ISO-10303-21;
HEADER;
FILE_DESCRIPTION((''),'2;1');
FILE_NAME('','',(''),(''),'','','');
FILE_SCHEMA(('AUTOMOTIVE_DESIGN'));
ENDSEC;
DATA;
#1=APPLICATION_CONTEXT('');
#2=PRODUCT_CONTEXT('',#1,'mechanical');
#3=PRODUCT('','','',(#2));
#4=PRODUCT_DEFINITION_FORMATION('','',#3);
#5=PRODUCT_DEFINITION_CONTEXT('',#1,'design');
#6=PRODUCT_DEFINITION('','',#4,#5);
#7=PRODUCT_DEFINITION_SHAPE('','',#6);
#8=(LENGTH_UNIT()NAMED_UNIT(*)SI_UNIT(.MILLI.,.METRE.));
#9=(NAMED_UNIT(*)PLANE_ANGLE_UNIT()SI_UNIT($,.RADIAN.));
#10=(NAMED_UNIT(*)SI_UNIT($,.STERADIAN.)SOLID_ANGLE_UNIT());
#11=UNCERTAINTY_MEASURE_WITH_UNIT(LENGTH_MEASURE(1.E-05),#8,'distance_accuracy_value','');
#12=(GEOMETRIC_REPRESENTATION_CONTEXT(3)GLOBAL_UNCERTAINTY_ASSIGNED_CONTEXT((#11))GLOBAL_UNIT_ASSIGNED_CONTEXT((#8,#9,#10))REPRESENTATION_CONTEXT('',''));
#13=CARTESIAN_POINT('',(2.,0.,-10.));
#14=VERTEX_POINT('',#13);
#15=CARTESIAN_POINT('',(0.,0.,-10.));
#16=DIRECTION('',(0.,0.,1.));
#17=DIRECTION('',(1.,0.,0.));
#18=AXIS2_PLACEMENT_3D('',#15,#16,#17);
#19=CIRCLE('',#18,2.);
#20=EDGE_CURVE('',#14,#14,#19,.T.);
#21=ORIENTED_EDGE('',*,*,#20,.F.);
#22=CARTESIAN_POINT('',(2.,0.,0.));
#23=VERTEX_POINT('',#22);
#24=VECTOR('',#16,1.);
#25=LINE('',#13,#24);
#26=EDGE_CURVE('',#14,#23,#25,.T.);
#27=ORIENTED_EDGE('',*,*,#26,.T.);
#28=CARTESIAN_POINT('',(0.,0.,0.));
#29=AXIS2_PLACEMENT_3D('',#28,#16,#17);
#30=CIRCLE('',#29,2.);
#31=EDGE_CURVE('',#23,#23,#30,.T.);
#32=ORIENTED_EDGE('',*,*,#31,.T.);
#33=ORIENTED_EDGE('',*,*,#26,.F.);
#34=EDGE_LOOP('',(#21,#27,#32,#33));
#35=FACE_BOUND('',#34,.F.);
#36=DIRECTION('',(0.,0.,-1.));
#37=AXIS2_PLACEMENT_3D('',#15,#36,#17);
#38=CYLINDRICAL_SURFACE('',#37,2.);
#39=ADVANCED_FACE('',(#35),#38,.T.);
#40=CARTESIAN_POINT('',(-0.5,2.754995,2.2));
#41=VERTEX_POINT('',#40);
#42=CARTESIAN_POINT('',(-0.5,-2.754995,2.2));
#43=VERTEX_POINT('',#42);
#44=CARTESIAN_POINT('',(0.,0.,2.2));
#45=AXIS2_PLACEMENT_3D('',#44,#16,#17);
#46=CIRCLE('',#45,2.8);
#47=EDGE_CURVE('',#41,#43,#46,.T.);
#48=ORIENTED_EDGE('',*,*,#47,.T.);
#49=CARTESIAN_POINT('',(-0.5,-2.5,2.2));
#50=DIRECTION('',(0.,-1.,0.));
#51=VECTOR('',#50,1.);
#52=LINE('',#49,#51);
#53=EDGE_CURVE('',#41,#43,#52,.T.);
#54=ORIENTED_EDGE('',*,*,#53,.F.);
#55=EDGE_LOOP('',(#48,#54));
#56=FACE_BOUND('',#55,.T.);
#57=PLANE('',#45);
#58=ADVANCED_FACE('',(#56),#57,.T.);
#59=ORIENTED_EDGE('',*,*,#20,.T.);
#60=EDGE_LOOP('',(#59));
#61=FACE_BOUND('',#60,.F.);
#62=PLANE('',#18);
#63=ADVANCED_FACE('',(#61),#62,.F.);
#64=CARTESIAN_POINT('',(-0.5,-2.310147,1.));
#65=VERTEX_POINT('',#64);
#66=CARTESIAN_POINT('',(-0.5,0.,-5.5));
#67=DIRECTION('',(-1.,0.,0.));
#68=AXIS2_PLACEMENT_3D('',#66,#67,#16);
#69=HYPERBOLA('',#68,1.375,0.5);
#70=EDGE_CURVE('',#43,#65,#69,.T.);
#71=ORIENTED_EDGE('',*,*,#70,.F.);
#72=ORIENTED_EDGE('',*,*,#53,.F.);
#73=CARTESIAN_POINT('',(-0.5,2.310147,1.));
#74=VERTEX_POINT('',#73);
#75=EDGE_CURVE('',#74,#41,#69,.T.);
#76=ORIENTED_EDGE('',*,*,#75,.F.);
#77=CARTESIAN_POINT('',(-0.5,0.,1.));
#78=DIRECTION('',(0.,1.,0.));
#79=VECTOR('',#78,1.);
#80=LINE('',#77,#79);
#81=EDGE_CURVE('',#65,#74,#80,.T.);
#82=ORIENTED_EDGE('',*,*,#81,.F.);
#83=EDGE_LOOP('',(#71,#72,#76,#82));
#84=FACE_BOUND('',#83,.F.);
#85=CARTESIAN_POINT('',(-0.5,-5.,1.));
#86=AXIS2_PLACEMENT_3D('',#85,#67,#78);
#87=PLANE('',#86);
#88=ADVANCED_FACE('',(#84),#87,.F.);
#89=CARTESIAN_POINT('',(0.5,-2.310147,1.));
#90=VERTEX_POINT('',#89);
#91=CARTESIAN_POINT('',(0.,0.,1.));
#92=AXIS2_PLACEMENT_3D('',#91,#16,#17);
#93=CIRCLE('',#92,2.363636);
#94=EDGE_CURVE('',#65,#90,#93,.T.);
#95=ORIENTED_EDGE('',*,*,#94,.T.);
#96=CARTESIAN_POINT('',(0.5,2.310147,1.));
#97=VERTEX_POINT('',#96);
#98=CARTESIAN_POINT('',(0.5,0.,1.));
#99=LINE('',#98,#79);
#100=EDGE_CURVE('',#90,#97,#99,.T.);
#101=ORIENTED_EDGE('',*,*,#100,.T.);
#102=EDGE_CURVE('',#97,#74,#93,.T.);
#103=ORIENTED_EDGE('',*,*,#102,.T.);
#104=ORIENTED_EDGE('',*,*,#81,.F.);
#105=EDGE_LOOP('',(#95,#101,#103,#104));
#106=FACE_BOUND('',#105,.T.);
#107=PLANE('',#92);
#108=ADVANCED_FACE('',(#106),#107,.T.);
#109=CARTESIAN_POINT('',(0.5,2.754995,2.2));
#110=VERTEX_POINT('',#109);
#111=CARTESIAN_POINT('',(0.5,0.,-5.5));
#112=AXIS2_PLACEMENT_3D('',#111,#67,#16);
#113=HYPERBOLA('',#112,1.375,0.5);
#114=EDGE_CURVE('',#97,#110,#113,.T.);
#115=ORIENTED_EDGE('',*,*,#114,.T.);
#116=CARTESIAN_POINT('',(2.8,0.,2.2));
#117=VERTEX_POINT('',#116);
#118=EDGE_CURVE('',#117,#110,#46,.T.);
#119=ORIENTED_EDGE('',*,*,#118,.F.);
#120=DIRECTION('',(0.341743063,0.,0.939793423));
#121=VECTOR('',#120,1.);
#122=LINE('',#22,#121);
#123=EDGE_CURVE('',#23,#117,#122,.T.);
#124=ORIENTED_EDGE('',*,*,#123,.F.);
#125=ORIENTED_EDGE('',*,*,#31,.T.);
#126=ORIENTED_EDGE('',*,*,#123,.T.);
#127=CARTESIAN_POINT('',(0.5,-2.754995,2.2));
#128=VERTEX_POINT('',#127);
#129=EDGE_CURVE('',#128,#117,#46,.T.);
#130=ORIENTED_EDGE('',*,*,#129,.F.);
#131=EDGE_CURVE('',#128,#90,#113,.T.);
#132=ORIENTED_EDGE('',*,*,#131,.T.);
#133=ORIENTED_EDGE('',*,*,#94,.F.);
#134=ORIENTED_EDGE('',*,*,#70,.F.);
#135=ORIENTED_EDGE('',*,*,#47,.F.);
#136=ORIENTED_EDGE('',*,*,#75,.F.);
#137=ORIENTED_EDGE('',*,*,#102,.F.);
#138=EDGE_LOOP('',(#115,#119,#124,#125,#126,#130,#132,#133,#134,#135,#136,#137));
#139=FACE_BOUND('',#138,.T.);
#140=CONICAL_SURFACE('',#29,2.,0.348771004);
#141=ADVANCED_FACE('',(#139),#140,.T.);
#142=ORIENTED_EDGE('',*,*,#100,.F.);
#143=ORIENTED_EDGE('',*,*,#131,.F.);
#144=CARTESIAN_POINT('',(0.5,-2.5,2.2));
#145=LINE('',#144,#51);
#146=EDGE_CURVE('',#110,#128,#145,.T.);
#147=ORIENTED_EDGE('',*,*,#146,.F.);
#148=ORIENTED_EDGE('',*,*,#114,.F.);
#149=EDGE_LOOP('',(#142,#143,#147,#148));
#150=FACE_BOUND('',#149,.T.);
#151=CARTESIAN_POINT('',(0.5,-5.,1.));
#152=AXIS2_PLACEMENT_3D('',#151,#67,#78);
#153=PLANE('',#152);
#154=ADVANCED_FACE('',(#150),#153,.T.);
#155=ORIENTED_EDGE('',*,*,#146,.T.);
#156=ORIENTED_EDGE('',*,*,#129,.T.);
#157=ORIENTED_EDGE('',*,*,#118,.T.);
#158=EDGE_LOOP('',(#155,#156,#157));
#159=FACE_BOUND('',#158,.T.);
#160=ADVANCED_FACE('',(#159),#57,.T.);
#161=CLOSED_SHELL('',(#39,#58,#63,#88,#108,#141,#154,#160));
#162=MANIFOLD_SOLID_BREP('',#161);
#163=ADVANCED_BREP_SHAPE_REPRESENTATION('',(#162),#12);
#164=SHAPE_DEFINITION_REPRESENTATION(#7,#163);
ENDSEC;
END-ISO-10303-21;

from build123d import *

# Parameters (mm, degrees)
BOX_W          = 1
BOX_H          = 10
BOX_DEPTH      = 2
CYLINDER_R     = 2
CYLINDER_DEPTH = 10


with BuildPart() as cub:
    # Box → Box (new body)
    with BuildSketch(Plane(origin=(-0.5, -5, 1), x_dir=(1, 0, 0), z_dir=(0, 0, 1))):
        with Locations((0.5, 5)):
            Rectangle(BOX_W, BOX_H)
    extrude(amount=BOX_DEPTH)


with BuildPart() as cilindre:
    # Cylinder → Cylinder (new body)
    with BuildSketch(Plane.XY.offset(-10)):
        Circle(CYLINDER_R)
    extrude(amount=CYLINDER_DEPTH)


with BuildPart() as cut:
    # Cone → Cone (revolve)
    with BuildSketch(Plane.XZ):
        Polygon((0, 0), (2, 0), (2.8, 2.2), (0, 2.2), align=None)
    revolve(axis=Axis((0, 0, 0), (0, 0, 1)))

    # Fusion: union Cilindre
    add(cilindre.part)

    # Cut: cut Cub
    add(cub.part, mode=Mode.SUBTRACT)


solid = cut.part
